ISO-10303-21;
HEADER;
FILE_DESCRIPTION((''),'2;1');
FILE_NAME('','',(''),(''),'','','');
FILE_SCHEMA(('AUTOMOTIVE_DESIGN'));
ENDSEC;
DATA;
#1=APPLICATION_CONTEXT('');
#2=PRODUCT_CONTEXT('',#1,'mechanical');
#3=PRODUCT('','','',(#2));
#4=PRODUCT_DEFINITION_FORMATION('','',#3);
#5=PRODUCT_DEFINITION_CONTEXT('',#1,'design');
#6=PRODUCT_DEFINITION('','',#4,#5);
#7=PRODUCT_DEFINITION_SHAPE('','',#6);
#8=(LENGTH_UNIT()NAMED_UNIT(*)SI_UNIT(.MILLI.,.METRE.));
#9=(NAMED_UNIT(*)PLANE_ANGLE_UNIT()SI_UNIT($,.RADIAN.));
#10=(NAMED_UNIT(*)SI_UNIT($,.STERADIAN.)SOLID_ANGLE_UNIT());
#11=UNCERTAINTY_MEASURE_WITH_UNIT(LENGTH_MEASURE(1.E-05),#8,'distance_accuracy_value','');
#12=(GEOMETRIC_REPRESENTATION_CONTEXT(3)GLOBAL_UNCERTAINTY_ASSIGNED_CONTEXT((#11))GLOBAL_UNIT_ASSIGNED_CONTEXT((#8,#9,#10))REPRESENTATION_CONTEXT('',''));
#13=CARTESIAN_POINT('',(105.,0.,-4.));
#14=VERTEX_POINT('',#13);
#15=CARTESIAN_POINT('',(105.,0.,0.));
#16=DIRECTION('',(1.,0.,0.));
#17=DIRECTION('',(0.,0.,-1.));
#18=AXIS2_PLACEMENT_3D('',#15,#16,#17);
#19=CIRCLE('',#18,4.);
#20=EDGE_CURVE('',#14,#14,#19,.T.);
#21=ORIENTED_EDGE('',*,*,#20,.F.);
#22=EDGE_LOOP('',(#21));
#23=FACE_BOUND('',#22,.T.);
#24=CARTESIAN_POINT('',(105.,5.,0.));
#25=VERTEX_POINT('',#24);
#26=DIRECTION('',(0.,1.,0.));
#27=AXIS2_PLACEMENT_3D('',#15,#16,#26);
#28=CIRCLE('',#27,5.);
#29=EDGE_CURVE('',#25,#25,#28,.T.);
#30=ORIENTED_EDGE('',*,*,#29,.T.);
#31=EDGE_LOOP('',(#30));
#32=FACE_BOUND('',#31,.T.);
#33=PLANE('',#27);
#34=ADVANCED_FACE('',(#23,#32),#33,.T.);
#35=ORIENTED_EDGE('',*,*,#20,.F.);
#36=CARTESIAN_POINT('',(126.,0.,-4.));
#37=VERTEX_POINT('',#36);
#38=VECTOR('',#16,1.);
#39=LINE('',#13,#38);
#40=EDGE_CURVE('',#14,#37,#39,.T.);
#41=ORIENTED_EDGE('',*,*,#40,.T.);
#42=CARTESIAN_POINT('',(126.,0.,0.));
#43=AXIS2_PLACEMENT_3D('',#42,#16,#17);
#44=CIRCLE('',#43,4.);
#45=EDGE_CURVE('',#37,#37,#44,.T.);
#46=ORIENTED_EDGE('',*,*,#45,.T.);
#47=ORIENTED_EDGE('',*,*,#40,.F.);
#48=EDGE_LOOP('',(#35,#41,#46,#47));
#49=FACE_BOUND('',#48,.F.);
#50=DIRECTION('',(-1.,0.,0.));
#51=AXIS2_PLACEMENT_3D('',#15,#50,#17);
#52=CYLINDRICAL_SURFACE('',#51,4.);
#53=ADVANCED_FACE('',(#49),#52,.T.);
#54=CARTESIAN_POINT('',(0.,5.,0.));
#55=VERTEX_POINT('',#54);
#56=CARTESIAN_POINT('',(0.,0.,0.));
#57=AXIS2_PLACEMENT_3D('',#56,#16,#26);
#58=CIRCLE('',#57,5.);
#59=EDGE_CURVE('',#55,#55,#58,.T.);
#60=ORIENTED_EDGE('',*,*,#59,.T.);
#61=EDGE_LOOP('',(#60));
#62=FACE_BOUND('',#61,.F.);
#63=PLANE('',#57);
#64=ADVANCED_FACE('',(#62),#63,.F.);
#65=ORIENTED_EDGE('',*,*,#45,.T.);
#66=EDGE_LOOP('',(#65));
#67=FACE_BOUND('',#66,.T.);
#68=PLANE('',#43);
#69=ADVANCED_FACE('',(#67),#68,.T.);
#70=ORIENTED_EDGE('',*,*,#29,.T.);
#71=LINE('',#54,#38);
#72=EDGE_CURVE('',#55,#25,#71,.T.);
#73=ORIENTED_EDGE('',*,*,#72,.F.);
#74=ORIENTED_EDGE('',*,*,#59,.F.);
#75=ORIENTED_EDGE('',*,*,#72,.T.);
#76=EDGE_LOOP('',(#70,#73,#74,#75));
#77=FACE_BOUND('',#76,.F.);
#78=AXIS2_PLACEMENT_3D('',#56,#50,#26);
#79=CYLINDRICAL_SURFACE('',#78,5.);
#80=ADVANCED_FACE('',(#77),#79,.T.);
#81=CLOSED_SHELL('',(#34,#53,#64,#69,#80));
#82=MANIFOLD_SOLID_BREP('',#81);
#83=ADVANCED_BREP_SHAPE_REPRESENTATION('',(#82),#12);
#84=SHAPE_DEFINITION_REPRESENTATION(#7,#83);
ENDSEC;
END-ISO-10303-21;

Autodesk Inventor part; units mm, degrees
ref_plane "YZ Plane" through (0, 0, 0) normal (1, 0, 0) x (0, 1, 0)
ref_plane "XZ Plane" through (0, 0, 0) normal (0, 1, 0) x (-1, 0, 0)
ref_plane "XY Plane" through (0, 0, 0) normal (0, 0, 1) x (1, 0, 0)
sketch "スケッチ1" plane through (0, 0, 0) normal (1, 0, 0) x (0, 1, 0)
  circle A0 centre (0, 0) radius 5
  dimension "d0" = 10
extrude "押し出し1" add sketch "スケッチ1" along normal blind 105
sketch "スケッチ2" plane through (105, 0, 0) normal (1, 0, 0) x (0, 0, -1)
  circle A0 centre (0, 0) radius 4
  dimension "d3" = 8
extrude "押し出し2" add sketch "スケッチ2" along normal blind 21
thread "ねじ1" size "M8x1.25" class "6g" standard "ANSI Metric M Profile" full length
properties part number "aircilinder_100_top" material "アルミニウム 6061"
